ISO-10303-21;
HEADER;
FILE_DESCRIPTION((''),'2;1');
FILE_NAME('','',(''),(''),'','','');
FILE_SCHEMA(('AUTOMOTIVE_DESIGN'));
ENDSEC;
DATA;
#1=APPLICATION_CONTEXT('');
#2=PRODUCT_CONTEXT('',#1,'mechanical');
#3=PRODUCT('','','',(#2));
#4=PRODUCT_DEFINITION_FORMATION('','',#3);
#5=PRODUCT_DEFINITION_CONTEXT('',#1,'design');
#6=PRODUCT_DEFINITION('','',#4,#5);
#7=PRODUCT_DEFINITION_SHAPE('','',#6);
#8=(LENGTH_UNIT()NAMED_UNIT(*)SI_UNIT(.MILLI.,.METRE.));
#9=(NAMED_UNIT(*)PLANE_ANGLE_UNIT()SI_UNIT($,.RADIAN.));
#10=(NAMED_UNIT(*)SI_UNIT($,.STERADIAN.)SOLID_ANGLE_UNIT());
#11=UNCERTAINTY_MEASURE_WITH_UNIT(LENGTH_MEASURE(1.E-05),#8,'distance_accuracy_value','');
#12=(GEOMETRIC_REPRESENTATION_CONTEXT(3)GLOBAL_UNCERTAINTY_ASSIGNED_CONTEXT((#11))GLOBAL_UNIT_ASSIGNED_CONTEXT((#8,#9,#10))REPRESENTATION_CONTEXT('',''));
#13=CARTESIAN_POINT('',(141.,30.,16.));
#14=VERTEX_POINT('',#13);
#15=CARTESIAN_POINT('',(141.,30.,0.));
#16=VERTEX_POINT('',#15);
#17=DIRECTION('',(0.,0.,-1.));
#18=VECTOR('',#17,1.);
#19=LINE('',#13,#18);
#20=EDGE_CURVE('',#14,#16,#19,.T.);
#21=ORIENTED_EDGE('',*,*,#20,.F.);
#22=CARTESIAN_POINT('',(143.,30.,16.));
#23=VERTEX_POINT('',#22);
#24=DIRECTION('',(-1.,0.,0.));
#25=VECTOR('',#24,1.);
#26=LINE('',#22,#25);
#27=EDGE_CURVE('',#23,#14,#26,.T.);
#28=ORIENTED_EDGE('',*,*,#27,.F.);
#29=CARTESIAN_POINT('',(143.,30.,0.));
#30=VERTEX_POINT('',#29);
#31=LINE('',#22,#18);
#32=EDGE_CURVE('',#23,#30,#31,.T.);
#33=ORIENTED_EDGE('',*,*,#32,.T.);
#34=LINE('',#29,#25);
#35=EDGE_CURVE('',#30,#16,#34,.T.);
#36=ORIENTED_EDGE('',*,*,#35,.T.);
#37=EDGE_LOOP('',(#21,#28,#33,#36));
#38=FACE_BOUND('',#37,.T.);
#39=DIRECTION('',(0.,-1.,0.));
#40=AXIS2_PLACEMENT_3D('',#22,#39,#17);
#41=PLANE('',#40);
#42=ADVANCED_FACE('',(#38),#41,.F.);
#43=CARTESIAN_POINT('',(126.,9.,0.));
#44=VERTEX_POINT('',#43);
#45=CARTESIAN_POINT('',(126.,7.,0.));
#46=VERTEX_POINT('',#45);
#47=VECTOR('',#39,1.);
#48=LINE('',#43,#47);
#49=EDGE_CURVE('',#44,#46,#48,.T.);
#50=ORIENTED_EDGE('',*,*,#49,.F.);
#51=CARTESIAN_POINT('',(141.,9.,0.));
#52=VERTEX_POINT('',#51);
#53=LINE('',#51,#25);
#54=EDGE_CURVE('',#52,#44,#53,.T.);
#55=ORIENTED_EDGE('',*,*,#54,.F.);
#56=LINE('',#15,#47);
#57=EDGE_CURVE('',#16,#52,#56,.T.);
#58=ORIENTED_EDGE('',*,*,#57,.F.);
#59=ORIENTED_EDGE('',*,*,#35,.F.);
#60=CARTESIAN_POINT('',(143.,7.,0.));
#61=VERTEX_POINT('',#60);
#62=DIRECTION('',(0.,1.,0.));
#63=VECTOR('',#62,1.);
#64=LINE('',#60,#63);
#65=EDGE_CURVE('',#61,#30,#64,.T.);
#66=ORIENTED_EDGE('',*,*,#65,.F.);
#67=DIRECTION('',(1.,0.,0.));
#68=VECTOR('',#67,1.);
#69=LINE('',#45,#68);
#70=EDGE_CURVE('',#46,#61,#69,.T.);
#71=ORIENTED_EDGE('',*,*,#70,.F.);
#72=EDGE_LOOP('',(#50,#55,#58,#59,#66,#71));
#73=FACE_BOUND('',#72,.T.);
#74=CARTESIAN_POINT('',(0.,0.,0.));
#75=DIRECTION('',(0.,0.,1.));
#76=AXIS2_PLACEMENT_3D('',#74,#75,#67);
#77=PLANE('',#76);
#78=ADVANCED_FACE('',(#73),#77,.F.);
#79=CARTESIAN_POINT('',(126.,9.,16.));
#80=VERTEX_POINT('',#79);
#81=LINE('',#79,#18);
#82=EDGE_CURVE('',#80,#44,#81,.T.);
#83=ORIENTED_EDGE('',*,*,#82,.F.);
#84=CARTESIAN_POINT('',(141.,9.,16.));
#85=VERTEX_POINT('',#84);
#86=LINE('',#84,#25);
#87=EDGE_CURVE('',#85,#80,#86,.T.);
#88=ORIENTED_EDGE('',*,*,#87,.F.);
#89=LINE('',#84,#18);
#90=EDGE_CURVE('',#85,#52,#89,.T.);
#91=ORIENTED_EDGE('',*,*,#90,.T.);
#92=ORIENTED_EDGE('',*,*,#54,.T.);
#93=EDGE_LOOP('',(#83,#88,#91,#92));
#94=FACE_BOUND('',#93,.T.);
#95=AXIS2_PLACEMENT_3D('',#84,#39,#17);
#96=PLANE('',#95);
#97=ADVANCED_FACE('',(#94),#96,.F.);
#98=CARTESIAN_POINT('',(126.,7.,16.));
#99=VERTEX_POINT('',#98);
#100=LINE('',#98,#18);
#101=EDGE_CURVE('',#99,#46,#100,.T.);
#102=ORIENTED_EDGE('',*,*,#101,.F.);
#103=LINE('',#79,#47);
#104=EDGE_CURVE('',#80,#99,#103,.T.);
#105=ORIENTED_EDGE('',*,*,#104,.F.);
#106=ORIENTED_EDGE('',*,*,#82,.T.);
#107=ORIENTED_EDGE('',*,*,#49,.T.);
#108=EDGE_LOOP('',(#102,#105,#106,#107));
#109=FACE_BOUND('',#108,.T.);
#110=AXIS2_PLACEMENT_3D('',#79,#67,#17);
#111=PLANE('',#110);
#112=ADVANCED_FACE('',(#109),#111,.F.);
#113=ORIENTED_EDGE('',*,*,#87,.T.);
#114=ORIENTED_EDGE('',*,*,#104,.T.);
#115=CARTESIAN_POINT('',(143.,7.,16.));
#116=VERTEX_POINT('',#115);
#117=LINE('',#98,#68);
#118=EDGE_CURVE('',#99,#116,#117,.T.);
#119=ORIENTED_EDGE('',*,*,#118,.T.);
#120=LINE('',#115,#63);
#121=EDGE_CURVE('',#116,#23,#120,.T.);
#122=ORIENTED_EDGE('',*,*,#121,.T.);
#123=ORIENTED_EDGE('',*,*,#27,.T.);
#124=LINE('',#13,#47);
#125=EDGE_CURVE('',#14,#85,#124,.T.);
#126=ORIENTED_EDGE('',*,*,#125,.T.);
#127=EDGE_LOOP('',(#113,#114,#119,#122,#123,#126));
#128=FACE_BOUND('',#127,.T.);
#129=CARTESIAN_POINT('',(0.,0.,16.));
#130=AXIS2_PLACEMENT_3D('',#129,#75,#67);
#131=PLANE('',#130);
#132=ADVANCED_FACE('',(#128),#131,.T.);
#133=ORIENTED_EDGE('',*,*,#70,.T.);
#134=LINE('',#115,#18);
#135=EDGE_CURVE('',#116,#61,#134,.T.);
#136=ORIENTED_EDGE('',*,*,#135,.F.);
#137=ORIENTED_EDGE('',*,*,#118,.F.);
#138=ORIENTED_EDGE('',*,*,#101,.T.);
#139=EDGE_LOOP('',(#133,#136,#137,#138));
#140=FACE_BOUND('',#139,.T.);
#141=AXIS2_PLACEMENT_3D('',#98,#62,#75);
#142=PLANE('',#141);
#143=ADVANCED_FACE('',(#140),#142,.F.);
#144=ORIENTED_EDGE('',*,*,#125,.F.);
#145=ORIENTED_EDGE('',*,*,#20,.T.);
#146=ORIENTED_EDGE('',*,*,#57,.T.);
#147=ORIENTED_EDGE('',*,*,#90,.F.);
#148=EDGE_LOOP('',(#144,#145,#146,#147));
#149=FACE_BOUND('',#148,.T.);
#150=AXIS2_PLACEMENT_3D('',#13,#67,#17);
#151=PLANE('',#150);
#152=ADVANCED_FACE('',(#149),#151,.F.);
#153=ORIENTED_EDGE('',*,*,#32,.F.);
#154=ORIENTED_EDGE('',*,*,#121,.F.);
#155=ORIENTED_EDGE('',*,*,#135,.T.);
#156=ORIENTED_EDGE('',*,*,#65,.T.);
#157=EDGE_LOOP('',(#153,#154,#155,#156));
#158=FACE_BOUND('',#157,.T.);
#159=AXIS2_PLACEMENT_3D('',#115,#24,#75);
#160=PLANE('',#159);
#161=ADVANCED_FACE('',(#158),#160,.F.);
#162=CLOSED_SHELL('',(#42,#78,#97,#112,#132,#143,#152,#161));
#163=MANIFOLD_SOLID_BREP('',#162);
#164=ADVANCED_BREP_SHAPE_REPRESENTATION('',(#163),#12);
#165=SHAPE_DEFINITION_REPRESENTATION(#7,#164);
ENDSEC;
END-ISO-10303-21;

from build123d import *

# Parameters (mm, degrees)
OUTRIGGER_SECTION_DEPTH = 16


with BuildPart() as part:
    # Outrigger section profile → Outrigger section (new body)
    with BuildSketch(Plane.XY):
        Polygon((126, 7), (143, 7), (143, 30), (141, 30), (141, 9), (126, 9), align=None)
    extrude(amount=OUTRIGGER_SECTION_DEPTH)


solid = part.part
